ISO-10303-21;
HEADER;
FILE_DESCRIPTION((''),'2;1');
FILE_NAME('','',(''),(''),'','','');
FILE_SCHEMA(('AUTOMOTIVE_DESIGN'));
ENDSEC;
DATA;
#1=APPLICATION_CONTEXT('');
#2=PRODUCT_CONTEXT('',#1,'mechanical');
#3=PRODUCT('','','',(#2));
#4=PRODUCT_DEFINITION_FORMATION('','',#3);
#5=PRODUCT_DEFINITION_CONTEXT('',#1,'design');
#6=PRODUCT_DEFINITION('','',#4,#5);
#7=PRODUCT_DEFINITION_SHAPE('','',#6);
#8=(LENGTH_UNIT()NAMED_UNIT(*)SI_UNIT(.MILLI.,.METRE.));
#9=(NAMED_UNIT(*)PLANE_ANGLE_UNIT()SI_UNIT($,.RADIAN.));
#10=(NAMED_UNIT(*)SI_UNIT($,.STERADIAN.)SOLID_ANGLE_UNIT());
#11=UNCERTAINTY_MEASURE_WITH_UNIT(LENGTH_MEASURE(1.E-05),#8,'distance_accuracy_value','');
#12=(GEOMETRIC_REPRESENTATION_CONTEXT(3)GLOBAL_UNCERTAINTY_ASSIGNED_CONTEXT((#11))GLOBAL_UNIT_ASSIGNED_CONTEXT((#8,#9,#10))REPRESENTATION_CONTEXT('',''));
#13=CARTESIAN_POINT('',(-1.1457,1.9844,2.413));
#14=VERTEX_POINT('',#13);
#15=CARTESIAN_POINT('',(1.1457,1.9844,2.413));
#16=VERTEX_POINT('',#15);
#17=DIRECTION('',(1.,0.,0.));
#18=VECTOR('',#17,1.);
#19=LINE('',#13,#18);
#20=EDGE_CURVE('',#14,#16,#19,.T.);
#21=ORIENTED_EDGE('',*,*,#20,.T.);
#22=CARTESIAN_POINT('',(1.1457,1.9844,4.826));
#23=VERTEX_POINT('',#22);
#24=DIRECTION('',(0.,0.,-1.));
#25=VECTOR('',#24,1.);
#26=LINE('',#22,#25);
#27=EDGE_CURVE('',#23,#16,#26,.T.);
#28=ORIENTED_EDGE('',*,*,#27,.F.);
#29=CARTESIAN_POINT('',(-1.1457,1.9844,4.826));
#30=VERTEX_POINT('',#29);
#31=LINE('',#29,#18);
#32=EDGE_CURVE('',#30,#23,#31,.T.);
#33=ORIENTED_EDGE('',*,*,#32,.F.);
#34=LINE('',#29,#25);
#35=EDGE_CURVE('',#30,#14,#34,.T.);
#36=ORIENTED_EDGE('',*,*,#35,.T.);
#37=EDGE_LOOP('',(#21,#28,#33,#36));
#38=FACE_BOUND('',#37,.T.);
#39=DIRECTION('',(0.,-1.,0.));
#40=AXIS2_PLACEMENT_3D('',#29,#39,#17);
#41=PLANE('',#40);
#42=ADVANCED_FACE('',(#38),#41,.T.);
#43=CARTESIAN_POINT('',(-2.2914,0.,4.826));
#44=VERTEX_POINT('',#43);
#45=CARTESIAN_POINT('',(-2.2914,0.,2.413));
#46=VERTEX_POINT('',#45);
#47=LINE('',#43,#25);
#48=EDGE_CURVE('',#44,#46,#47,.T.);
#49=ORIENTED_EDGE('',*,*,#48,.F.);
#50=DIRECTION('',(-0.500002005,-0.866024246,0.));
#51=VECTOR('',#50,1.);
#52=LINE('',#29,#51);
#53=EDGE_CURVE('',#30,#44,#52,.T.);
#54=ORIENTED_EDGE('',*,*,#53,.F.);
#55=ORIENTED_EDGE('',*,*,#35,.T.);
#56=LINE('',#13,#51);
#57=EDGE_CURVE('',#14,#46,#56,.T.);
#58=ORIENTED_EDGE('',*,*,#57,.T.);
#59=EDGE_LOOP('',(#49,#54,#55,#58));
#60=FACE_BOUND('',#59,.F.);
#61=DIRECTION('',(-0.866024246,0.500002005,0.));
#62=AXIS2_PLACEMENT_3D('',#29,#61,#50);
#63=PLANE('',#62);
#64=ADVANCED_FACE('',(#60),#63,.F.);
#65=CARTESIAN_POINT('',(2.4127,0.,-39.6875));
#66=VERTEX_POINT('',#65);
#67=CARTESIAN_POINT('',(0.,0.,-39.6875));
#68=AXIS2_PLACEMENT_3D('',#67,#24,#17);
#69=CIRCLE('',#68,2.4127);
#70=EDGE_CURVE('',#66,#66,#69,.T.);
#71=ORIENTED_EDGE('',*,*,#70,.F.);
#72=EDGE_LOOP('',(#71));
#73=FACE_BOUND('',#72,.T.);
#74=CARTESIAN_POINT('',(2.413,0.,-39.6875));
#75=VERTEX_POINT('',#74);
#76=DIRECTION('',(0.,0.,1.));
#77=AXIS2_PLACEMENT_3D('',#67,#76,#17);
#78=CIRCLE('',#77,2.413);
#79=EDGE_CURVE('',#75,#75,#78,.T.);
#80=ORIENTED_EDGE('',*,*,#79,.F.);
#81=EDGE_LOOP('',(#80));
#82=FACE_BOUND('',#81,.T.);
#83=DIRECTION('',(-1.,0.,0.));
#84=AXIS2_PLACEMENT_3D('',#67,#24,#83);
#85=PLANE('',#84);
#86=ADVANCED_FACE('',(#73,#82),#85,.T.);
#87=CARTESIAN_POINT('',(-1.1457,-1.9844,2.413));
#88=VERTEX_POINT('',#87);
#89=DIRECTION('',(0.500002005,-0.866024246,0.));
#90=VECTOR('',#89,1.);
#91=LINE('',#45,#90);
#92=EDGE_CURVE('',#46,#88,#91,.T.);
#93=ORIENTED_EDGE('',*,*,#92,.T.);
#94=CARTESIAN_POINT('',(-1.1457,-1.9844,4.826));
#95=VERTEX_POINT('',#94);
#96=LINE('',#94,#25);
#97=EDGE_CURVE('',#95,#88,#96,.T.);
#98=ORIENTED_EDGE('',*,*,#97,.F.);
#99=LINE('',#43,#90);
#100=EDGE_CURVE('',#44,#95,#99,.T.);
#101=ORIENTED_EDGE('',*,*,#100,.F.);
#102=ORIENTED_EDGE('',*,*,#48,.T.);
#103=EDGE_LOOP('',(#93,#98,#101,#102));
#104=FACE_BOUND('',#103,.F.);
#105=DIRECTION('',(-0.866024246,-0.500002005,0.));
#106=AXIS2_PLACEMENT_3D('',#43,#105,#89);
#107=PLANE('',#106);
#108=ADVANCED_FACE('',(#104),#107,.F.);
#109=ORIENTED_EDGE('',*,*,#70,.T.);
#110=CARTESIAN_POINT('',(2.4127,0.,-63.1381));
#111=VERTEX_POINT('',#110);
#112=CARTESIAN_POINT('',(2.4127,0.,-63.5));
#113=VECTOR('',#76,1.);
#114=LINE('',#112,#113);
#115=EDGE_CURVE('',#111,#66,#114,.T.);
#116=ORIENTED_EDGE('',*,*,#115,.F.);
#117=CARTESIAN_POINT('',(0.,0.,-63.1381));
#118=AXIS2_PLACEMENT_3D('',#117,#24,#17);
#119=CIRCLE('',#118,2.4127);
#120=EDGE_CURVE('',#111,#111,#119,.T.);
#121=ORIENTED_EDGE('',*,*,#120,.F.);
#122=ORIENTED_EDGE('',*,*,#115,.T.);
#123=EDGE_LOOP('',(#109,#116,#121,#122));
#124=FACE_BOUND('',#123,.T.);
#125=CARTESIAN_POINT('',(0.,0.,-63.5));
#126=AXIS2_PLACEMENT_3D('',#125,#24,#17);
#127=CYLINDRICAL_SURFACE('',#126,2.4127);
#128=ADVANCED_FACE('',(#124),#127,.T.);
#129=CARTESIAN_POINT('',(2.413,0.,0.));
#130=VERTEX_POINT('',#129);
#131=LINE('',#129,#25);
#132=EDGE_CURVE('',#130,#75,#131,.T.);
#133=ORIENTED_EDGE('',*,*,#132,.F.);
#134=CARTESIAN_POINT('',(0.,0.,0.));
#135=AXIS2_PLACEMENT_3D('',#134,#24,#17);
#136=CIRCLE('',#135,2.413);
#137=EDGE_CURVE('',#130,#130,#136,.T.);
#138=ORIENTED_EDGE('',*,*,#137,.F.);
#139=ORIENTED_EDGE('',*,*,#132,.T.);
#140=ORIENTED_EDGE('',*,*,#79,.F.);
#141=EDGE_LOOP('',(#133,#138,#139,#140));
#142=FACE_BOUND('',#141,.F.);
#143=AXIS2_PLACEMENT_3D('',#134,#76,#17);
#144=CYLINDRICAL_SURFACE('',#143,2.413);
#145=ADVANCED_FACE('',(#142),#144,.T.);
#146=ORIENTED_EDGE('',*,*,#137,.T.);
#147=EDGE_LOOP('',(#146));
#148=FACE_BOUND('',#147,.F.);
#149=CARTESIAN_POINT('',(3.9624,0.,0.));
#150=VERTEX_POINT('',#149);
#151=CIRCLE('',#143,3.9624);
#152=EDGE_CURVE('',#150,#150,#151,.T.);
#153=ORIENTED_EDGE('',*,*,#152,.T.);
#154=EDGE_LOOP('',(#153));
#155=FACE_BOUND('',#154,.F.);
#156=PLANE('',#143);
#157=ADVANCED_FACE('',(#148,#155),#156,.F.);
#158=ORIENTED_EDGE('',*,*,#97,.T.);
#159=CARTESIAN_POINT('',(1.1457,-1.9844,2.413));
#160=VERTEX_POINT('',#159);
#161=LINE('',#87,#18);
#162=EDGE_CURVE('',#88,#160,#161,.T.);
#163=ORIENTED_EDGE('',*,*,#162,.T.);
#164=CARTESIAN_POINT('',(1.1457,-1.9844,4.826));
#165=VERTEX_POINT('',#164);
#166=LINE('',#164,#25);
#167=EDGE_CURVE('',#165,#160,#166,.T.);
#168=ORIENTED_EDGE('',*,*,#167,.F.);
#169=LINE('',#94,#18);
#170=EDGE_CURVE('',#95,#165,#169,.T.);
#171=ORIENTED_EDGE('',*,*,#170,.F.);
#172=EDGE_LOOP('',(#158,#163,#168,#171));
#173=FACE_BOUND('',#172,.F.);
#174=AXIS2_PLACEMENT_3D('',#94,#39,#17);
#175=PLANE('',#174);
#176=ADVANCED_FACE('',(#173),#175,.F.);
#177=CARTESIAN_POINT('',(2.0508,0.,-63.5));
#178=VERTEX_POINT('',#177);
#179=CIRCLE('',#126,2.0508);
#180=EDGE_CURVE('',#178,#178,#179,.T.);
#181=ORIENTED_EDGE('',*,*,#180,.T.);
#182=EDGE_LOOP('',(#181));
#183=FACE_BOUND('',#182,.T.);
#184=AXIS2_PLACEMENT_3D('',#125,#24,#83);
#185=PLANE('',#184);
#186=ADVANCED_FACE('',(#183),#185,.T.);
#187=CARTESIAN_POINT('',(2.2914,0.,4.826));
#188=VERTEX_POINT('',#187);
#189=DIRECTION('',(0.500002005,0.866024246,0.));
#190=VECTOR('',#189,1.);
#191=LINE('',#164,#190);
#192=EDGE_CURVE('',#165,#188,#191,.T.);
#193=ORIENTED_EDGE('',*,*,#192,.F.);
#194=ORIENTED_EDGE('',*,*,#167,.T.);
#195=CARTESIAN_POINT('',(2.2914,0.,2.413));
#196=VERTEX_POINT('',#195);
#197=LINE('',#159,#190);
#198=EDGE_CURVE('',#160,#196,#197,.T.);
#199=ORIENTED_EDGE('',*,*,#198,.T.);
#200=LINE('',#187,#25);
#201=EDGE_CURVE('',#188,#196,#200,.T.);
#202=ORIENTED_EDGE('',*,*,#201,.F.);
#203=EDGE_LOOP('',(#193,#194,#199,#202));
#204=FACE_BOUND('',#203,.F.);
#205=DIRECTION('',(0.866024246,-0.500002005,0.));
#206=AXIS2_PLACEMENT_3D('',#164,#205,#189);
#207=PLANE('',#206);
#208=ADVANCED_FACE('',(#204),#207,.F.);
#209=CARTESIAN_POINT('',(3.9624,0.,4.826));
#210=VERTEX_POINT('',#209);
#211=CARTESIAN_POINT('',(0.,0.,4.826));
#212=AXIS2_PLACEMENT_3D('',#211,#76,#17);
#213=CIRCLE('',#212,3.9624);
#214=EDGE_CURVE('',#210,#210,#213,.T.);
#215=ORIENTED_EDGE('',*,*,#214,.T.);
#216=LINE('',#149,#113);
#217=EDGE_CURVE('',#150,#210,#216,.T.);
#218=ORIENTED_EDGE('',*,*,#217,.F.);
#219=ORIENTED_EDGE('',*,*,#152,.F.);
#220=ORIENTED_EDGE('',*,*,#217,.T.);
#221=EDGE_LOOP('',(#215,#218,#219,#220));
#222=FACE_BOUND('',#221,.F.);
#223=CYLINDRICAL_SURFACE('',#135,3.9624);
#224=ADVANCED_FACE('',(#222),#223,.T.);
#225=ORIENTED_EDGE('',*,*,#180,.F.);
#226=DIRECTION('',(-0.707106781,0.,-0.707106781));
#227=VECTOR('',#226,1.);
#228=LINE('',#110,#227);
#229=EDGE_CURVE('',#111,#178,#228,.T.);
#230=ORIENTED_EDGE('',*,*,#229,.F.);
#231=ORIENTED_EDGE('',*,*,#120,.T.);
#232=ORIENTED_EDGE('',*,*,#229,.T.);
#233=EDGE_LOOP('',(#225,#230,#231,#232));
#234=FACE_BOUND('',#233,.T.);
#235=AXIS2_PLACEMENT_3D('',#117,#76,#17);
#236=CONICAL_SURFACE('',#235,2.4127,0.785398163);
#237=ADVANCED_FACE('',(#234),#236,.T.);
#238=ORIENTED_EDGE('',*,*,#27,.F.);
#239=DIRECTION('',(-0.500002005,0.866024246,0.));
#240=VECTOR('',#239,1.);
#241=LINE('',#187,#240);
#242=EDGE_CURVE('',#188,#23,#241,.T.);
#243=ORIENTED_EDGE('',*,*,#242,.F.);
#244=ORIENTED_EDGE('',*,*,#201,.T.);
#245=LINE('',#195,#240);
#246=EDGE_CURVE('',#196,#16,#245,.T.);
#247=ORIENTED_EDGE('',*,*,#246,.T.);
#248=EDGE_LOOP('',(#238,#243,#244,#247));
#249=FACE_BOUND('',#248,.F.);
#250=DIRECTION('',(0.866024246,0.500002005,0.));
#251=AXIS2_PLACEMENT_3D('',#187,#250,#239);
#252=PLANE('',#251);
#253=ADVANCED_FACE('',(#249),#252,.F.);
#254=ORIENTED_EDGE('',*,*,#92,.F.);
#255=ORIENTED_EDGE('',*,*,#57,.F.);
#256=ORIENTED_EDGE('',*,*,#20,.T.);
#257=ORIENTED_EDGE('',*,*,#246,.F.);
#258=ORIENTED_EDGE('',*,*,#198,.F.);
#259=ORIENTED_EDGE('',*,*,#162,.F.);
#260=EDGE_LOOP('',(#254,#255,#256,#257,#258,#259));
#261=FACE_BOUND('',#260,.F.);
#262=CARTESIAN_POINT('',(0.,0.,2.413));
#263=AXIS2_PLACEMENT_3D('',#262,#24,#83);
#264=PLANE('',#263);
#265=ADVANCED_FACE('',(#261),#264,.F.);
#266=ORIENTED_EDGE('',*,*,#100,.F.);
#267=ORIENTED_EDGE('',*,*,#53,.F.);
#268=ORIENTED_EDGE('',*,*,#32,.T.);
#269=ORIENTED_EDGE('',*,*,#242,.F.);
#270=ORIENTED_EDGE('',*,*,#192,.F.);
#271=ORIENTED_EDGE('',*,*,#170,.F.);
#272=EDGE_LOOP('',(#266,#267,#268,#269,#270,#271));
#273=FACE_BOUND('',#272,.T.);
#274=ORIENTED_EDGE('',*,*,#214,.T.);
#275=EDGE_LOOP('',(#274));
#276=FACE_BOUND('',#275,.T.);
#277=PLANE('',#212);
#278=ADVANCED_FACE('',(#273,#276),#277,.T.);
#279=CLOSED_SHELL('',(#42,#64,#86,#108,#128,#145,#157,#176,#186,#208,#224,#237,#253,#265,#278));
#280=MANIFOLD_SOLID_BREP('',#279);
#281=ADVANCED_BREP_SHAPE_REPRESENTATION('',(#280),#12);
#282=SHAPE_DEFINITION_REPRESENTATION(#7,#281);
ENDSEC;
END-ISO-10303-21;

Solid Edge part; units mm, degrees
sketch "Sketch1" plane through (0, 0, 0) normal (0, 0, 1) x (1, 0, 0)
  circle A0 centre (0, 0) radius 3.9624
  dimension "D1" = 7.9248
extrude "Protrusion1" add sketch "Sketch1" along normal blind 4.826
sketch "Sketch2" plane through (0, 0, 0) normal (0, 0, -1) x (1, 0, 0)
  circle A0 centre (0, 0) radius 2.413
extrude "Protrusion2" add sketch "Sketch2" along normal blind 63.5
sketch "Sketch3" plane through (0, 0, -63.5) normal (0, 0, -1) x (1, 0, 0)
  circle A0 centre (0, 0) radius 2.4127
extrude "Cutout1" cut sketch "Sketch3" against normal blind 23.8125 flip side to cut
chamfer "Chamfer_1" distance 0.3619 angle 45 1 edges at (-2.4127, 0, -63.5)
sketch "Sketch4" plane through (0, 0, 4.826) normal (0, 0, 1) x (1, 0, 0)
  line L0 (-1.1457, 1.9844) -> (1.1457, 1.9844)
  line L1 (2.2914, 0) -> (1.1457, 1.9844)
  line L2 (1.1457, -1.9844) -> (2.2914, 0)
  line L3 (-1.1457, -1.9844) -> (1.1457, -1.9844)
  line L4 (-2.2914, 0) -> (-1.1457, -1.9844)
  line L5 (-1.1457, 1.9844) -> (-2.2914, 0)
  dimension "D1" = 3.9688
extrude "Cutout2" cut sketch "Sketch4" against normal blind 2.413
properties part number "184783"
